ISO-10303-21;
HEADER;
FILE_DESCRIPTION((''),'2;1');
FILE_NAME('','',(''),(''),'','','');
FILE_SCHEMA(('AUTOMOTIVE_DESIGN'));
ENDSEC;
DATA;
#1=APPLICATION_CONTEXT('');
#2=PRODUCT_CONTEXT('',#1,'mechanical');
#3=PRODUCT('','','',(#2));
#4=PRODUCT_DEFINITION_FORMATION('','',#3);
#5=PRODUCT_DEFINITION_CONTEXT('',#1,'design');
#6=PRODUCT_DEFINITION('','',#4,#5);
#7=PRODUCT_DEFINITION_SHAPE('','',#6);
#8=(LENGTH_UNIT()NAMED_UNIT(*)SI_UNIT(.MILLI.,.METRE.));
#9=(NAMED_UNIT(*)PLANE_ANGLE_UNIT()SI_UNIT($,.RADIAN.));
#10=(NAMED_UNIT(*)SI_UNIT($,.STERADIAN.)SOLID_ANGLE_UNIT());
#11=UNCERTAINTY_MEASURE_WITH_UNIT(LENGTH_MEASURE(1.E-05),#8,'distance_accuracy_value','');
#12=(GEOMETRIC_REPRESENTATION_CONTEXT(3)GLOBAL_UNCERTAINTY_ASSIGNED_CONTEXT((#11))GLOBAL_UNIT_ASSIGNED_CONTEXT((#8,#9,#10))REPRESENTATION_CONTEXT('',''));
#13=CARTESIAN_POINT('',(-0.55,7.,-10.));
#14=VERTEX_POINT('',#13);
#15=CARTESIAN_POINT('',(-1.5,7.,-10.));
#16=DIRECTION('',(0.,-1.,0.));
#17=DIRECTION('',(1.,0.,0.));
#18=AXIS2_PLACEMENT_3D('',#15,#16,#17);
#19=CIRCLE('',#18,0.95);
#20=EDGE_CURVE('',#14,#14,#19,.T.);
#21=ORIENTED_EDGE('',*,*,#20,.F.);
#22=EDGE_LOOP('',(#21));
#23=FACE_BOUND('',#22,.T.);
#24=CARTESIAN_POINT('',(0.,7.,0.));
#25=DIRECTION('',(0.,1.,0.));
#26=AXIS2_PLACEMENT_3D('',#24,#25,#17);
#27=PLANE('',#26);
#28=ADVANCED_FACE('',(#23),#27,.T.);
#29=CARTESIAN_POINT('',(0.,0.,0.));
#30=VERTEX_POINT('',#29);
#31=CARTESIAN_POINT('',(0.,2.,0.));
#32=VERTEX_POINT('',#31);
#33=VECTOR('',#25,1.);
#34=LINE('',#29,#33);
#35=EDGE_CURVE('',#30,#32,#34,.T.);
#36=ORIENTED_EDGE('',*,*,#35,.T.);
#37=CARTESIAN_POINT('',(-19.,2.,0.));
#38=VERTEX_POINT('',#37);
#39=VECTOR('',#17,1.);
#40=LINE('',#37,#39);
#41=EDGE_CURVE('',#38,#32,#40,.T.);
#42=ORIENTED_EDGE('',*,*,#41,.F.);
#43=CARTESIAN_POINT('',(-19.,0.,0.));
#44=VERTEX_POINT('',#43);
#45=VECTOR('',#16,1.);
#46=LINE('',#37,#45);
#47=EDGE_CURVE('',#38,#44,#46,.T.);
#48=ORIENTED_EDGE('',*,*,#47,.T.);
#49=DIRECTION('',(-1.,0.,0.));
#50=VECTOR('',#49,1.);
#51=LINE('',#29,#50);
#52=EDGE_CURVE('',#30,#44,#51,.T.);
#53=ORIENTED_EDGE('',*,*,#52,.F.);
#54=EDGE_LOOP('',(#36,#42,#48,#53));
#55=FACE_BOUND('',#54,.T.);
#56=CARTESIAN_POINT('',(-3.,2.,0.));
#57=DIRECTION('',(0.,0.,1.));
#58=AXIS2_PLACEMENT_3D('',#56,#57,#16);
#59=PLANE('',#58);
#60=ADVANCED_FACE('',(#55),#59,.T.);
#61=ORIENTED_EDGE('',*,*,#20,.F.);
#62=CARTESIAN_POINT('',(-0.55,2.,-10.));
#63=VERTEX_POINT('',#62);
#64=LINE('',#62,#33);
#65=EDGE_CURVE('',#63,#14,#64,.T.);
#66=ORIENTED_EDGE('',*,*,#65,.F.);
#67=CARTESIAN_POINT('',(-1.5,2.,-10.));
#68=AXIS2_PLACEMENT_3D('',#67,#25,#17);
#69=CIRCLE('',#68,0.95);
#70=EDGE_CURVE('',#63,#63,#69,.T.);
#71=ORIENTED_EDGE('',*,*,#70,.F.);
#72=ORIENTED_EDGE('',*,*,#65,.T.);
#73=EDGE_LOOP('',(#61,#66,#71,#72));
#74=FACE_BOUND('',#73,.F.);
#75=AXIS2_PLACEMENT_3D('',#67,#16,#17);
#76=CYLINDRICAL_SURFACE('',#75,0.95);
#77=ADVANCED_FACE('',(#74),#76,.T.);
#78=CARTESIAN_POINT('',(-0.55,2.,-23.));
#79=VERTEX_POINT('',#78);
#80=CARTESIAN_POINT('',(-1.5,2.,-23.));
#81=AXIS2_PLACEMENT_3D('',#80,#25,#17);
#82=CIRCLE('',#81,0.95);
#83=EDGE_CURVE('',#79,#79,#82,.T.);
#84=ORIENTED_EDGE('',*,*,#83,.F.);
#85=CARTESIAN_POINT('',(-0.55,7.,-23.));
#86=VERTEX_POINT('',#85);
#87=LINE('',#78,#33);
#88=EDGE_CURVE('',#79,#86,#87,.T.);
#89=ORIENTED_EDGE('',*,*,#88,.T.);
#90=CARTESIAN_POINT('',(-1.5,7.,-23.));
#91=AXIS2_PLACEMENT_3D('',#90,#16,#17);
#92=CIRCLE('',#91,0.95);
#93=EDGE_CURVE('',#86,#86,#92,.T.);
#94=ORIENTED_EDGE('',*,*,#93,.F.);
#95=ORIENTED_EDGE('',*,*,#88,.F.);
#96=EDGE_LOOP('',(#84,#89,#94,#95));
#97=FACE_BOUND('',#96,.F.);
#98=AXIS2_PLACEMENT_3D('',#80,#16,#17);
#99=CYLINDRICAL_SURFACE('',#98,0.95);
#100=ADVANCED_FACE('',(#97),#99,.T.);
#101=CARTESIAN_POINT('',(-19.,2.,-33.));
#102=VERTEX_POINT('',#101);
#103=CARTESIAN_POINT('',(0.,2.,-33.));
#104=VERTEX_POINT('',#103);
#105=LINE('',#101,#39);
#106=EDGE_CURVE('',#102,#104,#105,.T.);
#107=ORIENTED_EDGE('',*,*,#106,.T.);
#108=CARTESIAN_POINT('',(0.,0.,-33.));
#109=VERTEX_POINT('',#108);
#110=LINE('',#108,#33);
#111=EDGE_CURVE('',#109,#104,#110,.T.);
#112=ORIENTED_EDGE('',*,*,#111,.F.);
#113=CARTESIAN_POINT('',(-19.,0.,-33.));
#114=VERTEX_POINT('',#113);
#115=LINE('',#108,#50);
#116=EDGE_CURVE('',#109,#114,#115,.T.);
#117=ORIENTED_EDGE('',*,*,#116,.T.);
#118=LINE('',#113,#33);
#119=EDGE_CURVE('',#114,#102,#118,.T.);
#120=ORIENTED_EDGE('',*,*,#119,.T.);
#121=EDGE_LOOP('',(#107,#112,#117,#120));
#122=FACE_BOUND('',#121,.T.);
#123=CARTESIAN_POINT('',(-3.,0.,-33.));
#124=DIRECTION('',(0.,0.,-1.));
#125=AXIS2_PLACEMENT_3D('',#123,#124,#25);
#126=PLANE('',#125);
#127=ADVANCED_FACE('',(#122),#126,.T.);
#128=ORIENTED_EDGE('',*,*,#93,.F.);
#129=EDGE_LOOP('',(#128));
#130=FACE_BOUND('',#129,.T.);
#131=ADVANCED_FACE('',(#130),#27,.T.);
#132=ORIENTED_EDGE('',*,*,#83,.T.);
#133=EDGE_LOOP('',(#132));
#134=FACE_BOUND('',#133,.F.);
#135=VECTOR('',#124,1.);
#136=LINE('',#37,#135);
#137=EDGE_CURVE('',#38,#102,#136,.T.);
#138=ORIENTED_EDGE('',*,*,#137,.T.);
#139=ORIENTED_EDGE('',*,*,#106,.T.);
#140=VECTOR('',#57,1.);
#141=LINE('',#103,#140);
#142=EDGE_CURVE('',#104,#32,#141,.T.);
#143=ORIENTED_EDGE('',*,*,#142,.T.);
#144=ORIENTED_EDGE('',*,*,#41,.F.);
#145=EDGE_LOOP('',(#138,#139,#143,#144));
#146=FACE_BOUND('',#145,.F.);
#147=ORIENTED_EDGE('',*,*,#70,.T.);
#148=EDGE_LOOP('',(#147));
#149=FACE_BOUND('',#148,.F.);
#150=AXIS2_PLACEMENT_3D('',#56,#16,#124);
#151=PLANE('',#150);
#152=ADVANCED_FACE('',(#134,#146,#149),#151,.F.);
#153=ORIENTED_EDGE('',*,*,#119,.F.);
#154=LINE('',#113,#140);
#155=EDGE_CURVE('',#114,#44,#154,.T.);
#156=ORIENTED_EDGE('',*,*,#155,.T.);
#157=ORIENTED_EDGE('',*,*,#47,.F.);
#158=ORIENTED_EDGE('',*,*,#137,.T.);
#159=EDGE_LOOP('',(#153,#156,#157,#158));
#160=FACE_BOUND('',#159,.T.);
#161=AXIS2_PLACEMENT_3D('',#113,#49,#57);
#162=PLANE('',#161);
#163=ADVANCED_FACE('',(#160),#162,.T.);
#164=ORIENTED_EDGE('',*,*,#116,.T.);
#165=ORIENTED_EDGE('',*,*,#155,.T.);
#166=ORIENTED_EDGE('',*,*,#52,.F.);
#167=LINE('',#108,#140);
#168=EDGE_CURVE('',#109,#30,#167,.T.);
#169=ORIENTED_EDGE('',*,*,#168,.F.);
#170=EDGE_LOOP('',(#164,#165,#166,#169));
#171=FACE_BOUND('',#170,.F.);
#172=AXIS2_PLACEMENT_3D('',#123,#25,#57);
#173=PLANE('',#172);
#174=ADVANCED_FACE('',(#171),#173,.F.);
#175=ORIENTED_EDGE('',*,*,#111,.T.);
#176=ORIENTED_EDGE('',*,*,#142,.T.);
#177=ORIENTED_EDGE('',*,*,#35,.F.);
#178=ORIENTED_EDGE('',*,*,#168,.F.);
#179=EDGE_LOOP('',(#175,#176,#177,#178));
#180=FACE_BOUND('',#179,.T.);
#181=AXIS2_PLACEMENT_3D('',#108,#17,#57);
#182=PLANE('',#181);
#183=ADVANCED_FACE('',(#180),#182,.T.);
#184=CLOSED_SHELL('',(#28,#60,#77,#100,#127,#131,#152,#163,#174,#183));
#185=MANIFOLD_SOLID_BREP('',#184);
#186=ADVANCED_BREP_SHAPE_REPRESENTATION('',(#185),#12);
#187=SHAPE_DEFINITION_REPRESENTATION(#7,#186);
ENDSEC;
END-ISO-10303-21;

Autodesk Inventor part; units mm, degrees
ref_plane "YZ Plane" through (0, 0, 0) normal (1, 0, 0) x (0, 1, 0)
ref_plane "XZ Plane" through (0, 0, 0) normal (0, 1, 0) x (-1, 0, 0)
ref_plane "XY Plane" through (0, 0, 0) normal (0, 0, 1) x (1, 0, 0)
sketch "Boceto1" plane through (0, 0, 0) normal (0, 1, 0) x (-1, 0, 0)
  line L0 (0, 0) -> (3, 0)
  line L1 (3, 0) -> (3, -33)
  line L2 (3, -33) -> (0, -33)
  line L3 (0, -33) -> (0, 0)
  dimension "d0" = 3
  dimension "d1" = 33
extrude "Extrusión1" add sketch "Boceto1" along normal blind 2
sketch "Boceto2" plane through (0, 2, 0) normal (0, 1, 0) x (1, 0, 0)
  line L0 (-3, 0) -> (0, 0) projected
  line L1 (-1.5, 0) -> (-1.5, 10)
  line L2 (0, 33) -> (-3, 33) projected
  line L3 (-1.5, 33) -> (-1.5, 23)
  circle A0 centre (-1.5, 10) radius 0.95
  circle A1 centre (-1.5, 23) radius 0.95
  dimension "d4" = 10
  dimension "d5" = 10
  dimension "d8" = 1.9
  dimension "d9" = 1.9
extrude "Extrusión2" add sketch "Boceto2" along normal blind 5
sketch "Boceto3" plane through (-3, 0, -33) normal (-1, 0, 0) x (0, 0, 1)
  line L0 (0, 0) -> (33, 0) projected
  line L1 (33, 2) -> (0, 2) projected
  line L2 (33, 0) -> (0, 0)
  line L3 (0, 0) -> (0, 2)
  line L4 (0, 2) -> (33, 2)
  line L5 (33, 2) -> (33, 0)
extrude "Extrusión3" add sketch "Boceto3" along normal blind 16
properties part number "contrabase_fin_carrera"
